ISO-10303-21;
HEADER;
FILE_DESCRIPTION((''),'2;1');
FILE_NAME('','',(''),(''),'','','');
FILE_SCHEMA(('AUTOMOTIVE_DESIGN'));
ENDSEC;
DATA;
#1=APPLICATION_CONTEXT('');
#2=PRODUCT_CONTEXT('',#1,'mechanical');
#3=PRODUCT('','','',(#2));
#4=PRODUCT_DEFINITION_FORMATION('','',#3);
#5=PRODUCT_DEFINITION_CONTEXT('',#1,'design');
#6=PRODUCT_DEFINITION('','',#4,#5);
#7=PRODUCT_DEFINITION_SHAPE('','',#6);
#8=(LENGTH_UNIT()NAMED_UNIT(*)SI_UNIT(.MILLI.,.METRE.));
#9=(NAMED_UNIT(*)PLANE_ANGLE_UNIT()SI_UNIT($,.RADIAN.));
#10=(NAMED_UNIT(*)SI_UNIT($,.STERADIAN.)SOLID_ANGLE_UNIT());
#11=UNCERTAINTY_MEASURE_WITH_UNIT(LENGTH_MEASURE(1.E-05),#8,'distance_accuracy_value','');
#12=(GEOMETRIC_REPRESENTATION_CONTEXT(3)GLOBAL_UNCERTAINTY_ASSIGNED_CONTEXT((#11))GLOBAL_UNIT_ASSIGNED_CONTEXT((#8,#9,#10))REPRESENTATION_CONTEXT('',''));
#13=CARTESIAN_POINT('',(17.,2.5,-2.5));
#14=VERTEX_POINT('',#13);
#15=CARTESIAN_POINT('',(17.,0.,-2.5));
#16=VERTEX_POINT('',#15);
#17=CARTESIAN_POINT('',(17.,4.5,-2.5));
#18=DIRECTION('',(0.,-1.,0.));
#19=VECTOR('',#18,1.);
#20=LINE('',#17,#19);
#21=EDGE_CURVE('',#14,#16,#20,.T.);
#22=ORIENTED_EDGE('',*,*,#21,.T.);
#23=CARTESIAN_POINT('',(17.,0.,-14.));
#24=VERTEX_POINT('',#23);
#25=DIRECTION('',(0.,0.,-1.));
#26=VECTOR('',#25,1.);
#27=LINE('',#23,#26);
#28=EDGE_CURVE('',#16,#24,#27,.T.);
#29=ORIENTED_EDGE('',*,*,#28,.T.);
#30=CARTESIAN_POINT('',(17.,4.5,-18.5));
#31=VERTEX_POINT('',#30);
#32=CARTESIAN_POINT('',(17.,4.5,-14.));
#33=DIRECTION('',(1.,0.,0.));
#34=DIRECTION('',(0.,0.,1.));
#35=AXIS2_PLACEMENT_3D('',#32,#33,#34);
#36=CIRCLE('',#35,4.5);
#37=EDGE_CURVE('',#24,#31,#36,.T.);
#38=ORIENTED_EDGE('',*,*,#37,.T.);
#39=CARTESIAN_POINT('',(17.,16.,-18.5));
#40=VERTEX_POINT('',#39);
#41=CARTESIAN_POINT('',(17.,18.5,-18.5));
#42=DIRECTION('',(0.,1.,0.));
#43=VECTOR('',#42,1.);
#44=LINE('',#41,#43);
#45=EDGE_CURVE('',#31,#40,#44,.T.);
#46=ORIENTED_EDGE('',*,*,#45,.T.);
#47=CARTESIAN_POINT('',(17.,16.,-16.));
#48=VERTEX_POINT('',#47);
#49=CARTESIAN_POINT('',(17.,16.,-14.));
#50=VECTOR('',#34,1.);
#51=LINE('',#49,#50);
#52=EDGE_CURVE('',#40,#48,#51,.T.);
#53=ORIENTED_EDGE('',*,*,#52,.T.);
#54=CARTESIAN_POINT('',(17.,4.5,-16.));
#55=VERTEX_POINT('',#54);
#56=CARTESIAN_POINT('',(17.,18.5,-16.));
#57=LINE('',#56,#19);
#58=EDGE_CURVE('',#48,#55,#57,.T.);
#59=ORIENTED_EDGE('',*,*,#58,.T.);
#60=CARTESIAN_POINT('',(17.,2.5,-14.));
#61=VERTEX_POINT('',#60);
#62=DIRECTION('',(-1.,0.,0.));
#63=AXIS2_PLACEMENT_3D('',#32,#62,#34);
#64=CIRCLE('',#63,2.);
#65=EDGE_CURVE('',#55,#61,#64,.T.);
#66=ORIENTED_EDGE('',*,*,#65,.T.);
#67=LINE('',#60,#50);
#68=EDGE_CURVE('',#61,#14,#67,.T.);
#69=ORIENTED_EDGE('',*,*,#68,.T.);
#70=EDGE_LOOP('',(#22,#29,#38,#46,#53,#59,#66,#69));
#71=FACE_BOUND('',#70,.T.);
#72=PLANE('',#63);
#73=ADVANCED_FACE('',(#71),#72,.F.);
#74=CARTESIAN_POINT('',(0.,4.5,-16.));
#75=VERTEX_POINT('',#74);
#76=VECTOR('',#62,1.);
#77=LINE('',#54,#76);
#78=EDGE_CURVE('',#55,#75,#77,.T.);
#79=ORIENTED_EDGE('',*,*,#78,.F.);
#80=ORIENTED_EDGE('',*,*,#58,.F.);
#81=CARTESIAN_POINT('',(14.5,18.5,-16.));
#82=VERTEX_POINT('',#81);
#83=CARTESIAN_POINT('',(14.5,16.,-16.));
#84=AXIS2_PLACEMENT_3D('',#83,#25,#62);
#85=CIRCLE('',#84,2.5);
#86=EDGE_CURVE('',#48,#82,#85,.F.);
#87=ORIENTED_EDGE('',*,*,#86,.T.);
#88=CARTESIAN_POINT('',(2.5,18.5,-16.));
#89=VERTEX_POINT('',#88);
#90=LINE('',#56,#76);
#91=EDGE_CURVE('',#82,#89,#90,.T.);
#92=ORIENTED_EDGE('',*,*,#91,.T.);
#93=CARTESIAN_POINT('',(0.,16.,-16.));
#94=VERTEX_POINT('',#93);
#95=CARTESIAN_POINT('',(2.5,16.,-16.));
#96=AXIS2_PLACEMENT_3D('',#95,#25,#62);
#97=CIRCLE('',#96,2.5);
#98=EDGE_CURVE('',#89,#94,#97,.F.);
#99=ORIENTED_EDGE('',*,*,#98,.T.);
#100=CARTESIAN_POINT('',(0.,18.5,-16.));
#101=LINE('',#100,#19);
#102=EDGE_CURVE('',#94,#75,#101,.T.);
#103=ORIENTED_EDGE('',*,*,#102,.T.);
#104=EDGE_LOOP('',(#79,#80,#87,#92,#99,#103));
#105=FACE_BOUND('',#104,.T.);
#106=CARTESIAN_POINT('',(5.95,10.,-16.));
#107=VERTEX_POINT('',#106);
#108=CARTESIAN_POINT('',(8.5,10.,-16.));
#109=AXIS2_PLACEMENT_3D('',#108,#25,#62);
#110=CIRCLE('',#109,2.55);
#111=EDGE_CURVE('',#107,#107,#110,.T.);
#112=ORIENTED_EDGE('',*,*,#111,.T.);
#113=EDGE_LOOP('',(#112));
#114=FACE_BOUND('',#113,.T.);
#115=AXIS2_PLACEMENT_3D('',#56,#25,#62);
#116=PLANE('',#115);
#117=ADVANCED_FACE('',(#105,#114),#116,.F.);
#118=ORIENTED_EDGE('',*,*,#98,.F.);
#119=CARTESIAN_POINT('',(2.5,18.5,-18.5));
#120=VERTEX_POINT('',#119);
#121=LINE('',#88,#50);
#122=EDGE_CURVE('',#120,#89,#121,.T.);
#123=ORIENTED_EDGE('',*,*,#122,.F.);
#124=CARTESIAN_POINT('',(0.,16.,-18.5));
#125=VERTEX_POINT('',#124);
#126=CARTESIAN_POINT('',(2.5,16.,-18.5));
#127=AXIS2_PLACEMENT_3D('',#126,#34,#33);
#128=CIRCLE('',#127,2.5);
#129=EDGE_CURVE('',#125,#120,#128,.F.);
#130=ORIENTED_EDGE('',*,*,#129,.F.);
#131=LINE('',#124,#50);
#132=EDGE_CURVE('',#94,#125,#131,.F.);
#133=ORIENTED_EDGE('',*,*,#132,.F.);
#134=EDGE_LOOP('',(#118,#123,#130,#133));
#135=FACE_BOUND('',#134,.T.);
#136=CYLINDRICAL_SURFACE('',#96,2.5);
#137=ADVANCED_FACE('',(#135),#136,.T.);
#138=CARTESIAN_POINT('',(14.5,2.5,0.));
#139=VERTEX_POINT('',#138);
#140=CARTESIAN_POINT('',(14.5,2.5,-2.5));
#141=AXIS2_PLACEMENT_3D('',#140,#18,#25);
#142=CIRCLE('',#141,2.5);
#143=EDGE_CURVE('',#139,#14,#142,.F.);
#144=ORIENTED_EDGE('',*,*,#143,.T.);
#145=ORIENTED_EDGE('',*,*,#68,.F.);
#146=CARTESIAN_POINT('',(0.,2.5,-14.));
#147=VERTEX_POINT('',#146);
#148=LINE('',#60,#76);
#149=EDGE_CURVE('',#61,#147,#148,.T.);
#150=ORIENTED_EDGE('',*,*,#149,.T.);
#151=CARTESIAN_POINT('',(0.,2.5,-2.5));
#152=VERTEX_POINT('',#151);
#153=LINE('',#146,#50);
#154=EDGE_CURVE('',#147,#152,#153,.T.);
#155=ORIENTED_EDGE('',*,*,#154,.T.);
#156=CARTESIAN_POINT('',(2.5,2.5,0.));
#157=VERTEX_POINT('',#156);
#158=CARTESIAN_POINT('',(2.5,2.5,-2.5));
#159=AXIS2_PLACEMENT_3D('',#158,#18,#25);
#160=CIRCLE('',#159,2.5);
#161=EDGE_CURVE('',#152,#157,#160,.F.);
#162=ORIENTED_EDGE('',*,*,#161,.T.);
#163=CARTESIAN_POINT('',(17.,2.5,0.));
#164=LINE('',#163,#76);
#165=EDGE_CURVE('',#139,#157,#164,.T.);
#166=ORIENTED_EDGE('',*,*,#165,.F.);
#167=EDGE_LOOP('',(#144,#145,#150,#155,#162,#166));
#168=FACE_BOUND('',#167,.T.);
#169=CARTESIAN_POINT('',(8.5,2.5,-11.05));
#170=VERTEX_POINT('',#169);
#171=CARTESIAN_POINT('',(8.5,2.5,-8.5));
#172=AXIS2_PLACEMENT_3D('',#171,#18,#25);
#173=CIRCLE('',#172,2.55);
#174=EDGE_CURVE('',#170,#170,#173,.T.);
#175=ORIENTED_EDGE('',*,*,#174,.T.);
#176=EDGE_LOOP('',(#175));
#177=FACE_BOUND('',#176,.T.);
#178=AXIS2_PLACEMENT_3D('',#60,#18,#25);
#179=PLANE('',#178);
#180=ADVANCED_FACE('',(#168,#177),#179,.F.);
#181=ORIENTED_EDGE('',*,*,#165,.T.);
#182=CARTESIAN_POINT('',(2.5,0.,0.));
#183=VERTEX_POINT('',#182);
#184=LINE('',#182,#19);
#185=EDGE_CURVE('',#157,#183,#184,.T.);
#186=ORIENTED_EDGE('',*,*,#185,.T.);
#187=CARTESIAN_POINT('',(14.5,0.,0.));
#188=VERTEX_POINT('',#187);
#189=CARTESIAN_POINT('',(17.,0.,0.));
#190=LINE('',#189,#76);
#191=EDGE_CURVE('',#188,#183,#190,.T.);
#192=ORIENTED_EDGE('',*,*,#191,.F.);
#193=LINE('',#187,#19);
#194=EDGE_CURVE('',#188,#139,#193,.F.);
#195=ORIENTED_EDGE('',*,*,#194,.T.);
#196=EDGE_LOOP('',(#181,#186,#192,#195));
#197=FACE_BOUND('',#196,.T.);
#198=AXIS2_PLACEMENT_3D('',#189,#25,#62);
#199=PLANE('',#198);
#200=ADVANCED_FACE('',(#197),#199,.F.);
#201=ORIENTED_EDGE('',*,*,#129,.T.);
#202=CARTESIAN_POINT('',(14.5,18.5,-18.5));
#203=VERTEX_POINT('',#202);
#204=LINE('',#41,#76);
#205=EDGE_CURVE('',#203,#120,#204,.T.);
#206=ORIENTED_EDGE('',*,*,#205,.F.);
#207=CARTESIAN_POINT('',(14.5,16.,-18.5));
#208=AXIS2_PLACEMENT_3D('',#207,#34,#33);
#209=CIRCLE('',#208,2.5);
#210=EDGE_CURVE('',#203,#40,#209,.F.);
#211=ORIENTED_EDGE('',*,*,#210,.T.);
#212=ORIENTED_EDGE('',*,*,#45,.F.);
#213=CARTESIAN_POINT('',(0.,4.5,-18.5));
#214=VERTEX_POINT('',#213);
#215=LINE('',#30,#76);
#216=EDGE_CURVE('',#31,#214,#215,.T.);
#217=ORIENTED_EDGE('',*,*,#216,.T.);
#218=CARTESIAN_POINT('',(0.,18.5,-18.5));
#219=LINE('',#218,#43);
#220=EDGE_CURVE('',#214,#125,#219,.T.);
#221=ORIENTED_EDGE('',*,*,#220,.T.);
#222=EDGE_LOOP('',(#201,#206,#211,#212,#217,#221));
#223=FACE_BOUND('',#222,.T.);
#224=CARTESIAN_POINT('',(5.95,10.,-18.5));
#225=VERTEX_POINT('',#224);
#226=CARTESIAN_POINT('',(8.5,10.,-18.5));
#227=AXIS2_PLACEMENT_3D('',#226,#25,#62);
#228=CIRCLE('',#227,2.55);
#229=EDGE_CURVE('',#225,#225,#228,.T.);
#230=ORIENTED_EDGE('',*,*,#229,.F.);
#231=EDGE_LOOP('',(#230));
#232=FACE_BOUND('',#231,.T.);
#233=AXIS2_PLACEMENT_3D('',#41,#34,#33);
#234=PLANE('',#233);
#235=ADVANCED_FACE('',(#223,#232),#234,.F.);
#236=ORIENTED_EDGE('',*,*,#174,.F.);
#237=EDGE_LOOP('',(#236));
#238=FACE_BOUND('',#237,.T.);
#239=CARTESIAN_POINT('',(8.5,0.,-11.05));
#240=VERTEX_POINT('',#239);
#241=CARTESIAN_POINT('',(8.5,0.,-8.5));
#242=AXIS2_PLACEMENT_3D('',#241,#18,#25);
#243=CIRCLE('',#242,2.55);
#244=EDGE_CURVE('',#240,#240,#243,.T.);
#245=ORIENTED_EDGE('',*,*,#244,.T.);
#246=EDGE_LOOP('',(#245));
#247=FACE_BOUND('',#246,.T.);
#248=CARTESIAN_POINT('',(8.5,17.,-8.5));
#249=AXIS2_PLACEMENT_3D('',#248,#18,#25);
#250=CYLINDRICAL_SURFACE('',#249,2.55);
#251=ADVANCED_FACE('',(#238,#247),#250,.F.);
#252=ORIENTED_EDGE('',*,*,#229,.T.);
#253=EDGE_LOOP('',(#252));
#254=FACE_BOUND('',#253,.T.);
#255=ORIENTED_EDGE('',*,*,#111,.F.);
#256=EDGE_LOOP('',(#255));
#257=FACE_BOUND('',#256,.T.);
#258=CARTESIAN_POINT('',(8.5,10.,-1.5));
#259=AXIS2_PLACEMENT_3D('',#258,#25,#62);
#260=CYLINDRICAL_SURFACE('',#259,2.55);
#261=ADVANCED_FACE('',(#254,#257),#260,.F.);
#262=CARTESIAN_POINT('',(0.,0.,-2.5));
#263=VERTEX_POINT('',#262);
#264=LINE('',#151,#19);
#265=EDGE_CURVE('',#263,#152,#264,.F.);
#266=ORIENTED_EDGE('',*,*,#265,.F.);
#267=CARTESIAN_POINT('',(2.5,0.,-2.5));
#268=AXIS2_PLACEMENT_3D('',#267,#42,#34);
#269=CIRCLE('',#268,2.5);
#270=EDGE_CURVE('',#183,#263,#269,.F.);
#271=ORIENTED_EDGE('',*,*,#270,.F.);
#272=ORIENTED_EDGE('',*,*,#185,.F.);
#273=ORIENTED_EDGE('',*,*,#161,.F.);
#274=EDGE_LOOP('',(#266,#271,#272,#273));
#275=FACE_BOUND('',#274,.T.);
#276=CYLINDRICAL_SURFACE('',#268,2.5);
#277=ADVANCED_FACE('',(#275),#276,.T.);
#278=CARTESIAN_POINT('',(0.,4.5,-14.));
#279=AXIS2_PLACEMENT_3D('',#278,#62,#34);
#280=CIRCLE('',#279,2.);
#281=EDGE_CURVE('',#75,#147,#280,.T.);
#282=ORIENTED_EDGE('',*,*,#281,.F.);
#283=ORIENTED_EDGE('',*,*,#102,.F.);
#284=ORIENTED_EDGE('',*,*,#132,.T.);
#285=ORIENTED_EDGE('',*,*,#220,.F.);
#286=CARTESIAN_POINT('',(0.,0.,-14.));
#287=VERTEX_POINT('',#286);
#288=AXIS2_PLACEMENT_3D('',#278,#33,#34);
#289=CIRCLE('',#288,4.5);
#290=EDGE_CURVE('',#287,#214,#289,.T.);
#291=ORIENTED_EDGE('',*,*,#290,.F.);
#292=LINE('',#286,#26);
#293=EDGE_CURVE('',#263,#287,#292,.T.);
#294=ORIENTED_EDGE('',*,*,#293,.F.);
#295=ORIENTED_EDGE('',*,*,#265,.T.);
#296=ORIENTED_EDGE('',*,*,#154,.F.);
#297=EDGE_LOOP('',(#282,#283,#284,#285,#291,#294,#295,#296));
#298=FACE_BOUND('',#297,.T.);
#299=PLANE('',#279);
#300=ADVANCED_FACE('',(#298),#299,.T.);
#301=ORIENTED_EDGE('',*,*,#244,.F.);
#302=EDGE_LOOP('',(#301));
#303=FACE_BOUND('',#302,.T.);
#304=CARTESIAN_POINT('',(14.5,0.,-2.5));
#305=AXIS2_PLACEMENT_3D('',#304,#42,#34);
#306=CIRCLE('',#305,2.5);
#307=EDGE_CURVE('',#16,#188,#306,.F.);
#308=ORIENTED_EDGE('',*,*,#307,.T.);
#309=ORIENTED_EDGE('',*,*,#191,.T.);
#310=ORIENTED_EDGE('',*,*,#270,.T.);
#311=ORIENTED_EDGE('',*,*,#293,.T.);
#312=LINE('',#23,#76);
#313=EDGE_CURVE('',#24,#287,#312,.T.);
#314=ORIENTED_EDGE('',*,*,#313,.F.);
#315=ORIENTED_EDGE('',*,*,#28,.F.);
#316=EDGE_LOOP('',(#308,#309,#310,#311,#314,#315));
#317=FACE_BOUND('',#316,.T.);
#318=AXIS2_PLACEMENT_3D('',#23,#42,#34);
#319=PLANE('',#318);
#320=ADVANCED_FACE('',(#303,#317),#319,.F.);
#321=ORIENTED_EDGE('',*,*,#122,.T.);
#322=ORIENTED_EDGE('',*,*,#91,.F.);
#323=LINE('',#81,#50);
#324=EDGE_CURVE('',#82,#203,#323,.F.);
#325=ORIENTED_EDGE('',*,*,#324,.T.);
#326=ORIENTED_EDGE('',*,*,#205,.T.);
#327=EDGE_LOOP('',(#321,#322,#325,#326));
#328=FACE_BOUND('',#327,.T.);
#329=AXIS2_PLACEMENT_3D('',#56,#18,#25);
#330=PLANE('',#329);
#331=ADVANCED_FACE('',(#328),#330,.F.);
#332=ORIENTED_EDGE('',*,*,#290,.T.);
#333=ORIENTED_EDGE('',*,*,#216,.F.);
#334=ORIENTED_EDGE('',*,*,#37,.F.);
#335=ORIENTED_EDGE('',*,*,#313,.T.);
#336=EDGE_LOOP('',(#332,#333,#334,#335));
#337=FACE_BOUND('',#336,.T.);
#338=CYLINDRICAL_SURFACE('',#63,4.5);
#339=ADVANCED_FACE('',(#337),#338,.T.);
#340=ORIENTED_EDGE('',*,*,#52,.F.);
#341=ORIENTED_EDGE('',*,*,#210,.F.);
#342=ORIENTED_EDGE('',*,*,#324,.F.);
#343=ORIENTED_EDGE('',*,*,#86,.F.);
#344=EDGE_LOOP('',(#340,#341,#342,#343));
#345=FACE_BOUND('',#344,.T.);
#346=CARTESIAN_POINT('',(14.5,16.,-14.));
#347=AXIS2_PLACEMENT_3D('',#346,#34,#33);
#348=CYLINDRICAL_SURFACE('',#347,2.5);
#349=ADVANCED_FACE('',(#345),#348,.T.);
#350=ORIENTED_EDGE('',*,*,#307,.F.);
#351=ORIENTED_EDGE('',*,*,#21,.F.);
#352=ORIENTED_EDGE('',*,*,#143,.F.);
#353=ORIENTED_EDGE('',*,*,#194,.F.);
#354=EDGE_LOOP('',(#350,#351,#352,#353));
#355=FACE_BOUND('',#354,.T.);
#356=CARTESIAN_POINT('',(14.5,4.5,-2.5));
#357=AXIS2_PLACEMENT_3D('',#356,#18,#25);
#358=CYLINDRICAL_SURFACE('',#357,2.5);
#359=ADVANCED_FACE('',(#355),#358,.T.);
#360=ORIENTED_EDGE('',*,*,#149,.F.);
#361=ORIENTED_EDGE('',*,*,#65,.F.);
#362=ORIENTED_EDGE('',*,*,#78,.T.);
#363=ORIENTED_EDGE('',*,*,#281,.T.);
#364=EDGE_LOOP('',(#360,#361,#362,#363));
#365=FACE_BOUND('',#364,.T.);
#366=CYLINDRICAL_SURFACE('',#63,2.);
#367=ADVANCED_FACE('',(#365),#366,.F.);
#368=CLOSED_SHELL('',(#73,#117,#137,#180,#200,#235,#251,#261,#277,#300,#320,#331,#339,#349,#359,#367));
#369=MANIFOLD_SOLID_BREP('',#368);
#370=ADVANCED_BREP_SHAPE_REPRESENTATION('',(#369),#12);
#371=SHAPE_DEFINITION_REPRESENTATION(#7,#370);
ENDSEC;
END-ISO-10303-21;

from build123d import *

# Parameters (mm, degrees)
EXTRUDE_1_DEPTH     = 17
FILLET_1_R          = 2.5
SKETCH_2_R          = 2.55
CUT_EXTRUDE_1_DEPTH = 17
SKETCH_3_R          = 2.55
CUT_EXTRUDE_2_DEPTH = 17


with BuildPart() as part:
    # Эскиз1 → Бобышка-Вытянуть1 (new body)
    with BuildSketch(Plane(origin=(0, 0, 0), x_dir=(0, 0, -1), z_dir=(1, 0, 0))):
        with BuildLine():
            Line((14, 2.5), (0, 2.5))
            Line((0, 2.5), (0, 0))
            Line((0, 0), (14, 0))
            ThreePointArc((14, 0), (17.181980515, 1.318019485), (18.5, 4.5))
            Line((18.5, 4.5), (18.5, 18.5))
            Line((18.5, 18.5), (16, 18.5))
            Line((16, 18.5), (16, 4.5))
            ThreePointArc((16, 4.5), (15.414213562, 3.085786438), (14, 2.5))
        make_face()
    extrude(amount=EXTRUDE_1_DEPTH)

    # Скругление1
    fillet_1_edges = [part.edges().sort_by_distance(p)[0] for p in [
        (0, 1.25, 0),
        (17, 18.5, -17.25),
        (17, 1.25, 0),
        (0, 18.5, -17.25),
    ]]
    fillet(fillet_1_edges, radius=FILLET_1_R)

    # Эскиз2 → Вырез-Вытянуть1 (cut)
    with BuildSketch(Plane.XZ):
        with Locations(Location((8.5, -8.5, 0), (0, 0, 270))):
            Circle(SKETCH_2_R)
    extrude(amount=-CUT_EXTRUDE_1_DEPTH, mode=Mode.SUBTRACT)

    # Эскиз3 → Вырез-Вытянуть2 (cut)
    with BuildSketch(Plane(origin=(0, 0, -18.5), x_dir=(-1, 0, 0), z_dir=(0, 0, -1))):
        with Locations((-8.5, 10)):
            Circle(SKETCH_3_R)
    extrude(amount=-CUT_EXTRUDE_2_DEPTH, mode=Mode.SUBTRACT)


solid = part.part
